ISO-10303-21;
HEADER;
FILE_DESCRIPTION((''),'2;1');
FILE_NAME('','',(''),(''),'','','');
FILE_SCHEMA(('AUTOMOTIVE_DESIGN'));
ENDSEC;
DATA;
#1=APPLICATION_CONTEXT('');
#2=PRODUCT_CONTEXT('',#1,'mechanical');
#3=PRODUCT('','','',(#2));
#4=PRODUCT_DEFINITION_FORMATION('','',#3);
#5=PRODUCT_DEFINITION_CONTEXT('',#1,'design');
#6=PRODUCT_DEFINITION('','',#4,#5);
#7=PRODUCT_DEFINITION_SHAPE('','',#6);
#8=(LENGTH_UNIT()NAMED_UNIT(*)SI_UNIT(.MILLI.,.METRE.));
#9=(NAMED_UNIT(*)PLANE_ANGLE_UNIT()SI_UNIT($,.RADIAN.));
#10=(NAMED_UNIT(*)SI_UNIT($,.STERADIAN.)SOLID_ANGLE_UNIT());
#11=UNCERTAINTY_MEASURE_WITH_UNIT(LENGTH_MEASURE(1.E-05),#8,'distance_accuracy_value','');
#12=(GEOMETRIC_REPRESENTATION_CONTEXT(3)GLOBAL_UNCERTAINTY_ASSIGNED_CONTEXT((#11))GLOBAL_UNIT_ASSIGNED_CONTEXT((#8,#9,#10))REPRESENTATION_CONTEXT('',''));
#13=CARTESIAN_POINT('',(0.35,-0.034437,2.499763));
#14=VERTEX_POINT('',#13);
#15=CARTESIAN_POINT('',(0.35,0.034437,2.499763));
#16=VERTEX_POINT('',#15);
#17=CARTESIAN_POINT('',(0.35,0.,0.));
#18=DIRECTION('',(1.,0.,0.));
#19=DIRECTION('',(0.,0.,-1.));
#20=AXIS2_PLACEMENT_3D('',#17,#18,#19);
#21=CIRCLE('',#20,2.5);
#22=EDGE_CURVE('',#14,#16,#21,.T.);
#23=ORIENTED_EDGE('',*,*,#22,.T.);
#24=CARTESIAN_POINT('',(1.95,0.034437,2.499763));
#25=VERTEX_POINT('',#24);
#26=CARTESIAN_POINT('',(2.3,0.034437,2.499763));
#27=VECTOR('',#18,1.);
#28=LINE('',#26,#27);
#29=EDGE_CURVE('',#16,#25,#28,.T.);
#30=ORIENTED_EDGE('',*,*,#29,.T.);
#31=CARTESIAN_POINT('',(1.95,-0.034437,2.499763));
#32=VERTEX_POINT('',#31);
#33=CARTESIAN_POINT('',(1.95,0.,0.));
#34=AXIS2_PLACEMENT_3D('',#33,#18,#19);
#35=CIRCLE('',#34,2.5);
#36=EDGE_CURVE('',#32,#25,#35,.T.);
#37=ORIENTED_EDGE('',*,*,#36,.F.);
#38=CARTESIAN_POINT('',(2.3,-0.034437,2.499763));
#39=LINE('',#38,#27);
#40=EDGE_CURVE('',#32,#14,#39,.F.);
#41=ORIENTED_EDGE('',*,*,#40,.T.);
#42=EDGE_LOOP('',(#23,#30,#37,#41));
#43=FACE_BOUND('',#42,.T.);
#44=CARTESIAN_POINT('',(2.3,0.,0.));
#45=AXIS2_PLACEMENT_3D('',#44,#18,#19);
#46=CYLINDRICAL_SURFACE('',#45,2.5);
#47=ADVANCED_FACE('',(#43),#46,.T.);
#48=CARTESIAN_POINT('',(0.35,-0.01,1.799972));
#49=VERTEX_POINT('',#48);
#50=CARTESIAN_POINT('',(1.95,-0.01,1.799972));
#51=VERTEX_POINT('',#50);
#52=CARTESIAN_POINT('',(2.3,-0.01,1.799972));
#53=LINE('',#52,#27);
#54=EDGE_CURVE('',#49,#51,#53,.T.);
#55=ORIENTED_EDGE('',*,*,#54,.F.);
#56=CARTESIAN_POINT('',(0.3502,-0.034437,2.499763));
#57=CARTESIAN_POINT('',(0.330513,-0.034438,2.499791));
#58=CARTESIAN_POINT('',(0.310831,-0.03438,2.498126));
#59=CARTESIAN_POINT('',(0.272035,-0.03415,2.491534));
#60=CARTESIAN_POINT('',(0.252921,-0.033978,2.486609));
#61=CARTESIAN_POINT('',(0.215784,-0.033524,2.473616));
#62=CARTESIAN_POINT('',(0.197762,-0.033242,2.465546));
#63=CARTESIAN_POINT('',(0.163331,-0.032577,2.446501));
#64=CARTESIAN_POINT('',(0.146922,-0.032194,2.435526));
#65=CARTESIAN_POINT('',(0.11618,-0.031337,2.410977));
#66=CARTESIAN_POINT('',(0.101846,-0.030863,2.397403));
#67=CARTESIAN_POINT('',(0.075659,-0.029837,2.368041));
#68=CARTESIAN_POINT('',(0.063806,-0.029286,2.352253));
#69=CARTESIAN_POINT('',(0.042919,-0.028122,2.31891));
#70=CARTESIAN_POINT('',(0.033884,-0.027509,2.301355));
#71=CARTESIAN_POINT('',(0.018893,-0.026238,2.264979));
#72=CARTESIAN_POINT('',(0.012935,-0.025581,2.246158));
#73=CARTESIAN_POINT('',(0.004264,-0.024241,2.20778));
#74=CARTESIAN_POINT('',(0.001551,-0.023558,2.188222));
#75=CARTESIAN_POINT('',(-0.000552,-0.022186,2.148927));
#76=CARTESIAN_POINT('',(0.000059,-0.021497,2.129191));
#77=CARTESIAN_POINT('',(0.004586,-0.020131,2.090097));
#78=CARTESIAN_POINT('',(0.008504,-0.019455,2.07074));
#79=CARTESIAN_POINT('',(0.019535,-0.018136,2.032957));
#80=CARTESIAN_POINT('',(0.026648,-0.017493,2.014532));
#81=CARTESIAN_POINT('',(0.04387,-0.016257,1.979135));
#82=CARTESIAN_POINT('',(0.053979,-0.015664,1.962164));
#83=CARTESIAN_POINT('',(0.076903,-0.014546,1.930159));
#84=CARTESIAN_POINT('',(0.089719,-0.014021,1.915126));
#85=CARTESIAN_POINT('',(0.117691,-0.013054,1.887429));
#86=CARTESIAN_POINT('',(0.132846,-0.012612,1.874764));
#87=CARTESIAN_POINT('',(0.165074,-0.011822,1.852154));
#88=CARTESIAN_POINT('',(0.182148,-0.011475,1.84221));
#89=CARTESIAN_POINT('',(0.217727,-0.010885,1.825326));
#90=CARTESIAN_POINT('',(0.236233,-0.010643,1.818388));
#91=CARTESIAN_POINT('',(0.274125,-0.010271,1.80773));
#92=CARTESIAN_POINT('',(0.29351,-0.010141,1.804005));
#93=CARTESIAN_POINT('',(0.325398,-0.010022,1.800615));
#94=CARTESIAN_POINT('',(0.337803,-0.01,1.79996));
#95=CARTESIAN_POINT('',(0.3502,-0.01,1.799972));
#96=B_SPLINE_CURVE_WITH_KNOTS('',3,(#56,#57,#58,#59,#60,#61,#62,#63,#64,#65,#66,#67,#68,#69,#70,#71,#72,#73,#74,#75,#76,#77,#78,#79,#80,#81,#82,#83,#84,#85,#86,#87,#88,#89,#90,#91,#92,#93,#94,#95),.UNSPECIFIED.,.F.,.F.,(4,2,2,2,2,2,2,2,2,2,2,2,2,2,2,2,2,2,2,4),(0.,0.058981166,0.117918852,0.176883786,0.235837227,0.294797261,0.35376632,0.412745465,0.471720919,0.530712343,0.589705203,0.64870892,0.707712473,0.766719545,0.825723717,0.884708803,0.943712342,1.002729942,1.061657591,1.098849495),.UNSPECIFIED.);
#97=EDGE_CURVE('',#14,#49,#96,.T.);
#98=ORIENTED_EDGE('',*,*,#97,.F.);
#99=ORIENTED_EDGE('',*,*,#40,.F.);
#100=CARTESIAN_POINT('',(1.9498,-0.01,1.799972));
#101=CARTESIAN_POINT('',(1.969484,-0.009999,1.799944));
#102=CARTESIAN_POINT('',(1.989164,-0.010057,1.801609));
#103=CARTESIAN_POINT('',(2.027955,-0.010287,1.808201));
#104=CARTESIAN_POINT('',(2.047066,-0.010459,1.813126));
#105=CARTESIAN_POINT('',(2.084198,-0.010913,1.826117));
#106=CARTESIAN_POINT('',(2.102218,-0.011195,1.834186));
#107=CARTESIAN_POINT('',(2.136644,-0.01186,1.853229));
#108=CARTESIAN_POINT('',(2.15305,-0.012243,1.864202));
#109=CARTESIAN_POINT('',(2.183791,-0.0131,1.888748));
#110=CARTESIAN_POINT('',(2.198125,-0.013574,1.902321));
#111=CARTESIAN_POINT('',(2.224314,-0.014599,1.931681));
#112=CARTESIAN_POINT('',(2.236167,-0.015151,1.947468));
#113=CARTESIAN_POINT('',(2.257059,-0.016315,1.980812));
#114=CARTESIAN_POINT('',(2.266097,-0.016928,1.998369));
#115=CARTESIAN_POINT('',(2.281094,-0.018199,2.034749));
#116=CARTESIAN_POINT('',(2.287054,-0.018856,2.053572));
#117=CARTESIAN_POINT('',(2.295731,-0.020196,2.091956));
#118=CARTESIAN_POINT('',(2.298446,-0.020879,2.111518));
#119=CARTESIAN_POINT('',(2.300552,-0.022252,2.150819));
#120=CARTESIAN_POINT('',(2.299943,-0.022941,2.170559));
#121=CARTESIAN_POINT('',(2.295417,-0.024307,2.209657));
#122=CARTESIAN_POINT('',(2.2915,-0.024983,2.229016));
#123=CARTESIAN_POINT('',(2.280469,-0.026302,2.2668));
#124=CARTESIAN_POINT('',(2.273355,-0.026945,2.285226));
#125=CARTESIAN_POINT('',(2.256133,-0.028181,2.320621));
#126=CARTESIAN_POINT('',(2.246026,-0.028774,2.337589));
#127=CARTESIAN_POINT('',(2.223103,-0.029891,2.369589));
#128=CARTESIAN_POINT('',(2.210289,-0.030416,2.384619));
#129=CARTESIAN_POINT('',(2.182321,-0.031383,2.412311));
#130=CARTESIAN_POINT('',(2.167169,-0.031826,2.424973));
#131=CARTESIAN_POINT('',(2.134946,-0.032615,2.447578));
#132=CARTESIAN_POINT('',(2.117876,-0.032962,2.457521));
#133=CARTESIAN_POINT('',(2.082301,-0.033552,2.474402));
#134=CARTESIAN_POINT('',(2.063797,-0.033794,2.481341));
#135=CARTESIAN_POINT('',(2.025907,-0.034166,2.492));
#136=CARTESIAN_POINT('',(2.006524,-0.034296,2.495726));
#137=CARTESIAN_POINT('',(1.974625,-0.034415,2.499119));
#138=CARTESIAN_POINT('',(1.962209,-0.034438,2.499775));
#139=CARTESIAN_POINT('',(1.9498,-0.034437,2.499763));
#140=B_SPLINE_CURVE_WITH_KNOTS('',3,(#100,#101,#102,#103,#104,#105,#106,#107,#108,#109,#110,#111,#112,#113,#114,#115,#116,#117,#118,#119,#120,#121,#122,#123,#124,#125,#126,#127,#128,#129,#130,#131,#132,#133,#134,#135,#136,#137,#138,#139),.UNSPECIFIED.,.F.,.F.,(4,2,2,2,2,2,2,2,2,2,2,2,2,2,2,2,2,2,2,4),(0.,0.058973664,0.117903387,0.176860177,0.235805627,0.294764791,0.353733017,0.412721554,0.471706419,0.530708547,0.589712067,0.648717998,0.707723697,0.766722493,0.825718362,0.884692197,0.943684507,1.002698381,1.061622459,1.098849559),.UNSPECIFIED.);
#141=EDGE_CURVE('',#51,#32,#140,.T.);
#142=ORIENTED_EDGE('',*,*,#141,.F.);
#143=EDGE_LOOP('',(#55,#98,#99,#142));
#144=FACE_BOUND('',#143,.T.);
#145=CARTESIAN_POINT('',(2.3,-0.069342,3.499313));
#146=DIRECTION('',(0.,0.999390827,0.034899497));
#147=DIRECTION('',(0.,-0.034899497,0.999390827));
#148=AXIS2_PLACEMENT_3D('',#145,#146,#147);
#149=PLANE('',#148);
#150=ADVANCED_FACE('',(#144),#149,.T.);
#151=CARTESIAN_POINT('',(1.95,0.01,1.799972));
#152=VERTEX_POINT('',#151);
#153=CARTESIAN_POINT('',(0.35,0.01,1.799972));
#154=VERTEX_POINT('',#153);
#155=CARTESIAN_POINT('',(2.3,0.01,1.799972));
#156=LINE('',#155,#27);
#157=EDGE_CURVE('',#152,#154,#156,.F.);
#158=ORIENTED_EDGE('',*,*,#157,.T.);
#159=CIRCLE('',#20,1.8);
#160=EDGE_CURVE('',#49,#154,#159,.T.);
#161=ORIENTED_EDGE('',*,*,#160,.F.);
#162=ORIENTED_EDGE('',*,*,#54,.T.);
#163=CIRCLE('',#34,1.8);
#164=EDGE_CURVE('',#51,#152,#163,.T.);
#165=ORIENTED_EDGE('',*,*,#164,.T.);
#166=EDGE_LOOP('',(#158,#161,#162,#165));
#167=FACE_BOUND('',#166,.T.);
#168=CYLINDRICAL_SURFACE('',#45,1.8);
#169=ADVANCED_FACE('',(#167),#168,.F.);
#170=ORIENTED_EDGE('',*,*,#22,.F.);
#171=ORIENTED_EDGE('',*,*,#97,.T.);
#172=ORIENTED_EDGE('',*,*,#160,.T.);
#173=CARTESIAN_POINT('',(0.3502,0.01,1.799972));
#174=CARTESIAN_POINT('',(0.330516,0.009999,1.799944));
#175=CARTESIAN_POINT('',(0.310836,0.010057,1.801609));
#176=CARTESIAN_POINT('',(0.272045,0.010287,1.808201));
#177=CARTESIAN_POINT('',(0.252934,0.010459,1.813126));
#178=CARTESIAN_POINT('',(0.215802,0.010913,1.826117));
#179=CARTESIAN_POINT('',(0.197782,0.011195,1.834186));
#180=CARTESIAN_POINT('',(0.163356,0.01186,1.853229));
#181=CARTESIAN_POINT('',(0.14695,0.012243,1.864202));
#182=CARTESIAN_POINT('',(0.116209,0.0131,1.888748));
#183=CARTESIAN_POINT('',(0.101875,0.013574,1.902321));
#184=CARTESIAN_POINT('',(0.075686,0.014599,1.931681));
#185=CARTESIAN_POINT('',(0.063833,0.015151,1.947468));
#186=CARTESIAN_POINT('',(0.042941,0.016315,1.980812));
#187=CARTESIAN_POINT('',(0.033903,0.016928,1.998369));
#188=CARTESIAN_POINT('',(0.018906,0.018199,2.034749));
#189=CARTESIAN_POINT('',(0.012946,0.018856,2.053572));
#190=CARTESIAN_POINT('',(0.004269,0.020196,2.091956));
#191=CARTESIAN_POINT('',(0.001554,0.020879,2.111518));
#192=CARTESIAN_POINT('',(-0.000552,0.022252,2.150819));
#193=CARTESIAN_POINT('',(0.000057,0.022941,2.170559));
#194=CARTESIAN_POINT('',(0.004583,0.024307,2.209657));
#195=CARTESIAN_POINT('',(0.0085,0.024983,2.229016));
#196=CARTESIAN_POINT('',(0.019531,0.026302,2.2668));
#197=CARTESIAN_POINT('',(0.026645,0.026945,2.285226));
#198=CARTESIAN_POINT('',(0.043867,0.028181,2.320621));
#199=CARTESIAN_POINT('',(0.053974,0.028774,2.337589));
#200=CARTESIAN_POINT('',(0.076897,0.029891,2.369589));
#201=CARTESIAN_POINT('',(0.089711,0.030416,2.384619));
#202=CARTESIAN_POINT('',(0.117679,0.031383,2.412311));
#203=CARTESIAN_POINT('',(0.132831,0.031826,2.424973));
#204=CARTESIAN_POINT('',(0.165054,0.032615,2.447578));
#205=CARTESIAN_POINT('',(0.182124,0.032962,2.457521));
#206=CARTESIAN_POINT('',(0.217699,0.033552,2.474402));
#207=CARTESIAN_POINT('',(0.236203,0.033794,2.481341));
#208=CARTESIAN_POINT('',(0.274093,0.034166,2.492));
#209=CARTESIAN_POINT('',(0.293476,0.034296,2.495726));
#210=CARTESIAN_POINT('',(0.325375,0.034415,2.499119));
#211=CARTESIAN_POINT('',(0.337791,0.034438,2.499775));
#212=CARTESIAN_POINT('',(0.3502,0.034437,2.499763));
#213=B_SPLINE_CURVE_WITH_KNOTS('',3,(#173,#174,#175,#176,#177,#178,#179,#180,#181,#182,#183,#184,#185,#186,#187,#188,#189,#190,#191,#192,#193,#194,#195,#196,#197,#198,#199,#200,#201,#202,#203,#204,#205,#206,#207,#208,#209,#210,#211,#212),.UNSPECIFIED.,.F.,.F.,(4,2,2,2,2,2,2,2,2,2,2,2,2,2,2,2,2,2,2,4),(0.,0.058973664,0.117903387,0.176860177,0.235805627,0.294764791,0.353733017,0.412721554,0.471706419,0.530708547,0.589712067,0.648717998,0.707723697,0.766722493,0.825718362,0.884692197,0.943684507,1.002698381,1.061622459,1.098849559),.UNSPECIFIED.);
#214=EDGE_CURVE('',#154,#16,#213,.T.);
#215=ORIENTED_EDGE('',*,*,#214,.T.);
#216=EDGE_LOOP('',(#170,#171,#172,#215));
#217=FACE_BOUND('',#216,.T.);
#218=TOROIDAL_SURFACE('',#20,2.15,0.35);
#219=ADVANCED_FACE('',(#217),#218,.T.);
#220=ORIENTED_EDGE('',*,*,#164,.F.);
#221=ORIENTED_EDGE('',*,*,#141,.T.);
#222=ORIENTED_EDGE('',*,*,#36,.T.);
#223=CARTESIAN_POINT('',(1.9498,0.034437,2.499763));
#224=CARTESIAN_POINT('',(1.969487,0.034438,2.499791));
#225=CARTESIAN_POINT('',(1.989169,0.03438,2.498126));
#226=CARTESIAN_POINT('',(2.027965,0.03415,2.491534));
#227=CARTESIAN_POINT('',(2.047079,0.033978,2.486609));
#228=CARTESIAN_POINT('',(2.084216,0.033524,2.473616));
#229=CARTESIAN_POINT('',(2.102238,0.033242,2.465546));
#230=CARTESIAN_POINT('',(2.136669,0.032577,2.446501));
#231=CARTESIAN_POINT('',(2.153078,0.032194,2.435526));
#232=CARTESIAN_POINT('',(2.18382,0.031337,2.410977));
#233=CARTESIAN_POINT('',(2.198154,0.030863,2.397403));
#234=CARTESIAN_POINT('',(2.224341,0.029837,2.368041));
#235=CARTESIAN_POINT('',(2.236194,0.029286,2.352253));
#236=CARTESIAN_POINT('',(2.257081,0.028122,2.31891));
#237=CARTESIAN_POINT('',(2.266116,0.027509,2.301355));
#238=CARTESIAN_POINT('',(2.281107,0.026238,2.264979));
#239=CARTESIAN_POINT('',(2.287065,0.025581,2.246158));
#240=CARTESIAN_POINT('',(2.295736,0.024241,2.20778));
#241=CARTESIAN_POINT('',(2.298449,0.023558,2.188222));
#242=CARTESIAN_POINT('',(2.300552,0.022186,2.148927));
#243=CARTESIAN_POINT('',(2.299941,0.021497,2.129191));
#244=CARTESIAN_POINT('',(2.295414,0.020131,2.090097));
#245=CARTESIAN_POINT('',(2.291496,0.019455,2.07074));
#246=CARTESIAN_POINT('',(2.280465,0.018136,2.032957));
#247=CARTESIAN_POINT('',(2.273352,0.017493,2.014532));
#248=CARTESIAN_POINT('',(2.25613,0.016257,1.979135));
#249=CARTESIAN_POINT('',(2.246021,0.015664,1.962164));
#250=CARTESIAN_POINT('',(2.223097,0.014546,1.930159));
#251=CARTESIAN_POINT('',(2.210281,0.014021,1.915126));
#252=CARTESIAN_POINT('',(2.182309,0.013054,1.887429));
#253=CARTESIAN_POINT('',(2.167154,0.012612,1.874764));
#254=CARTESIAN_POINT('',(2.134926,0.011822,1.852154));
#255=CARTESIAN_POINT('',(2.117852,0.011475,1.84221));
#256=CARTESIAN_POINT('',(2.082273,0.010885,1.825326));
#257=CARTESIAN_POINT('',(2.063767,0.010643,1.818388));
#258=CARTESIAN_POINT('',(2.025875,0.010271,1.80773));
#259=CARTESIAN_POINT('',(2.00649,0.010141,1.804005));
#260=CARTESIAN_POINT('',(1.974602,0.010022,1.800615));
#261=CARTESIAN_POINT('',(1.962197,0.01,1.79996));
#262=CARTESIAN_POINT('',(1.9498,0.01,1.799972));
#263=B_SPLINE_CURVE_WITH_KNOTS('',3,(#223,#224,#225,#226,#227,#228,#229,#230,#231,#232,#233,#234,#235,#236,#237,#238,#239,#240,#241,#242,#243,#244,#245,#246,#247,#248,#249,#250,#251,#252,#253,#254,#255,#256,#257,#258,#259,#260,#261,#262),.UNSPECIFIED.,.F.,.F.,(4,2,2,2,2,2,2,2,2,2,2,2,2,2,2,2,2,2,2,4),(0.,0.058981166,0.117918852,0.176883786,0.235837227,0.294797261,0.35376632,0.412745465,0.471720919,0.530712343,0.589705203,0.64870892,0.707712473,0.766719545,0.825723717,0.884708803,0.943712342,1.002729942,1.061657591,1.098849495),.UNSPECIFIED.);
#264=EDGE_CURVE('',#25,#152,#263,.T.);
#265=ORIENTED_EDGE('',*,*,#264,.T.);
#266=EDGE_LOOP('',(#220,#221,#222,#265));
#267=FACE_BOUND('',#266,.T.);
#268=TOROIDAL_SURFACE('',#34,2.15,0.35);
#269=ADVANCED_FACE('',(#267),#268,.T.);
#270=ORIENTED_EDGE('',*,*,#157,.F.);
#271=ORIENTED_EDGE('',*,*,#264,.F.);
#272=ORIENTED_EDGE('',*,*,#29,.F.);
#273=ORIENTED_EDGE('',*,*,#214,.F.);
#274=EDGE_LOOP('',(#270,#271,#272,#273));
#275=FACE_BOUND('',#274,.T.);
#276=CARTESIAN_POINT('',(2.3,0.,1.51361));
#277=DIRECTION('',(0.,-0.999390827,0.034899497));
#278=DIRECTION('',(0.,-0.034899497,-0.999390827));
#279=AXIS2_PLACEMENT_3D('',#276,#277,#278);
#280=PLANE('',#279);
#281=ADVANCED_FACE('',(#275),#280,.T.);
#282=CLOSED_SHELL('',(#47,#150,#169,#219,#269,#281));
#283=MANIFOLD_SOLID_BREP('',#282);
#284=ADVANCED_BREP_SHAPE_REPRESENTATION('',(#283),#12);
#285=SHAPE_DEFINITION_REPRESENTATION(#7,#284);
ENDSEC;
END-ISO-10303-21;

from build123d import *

# Parameters (mm, degrees)
CUT_EXTRUDE1_DEPTH = 2.3


with BuildPart() as part:
    # Sketch1 → Revolve1 (revolve)
    with BuildSketch(Plane.XY):
        with BuildLine():
            Line((0.35, 1.8), (1.95, 1.8))
            ThreePointArc((1.95, 1.8), (2.3, 2.15), (1.95, 2.5))
            Line((1.95, 2.5), (0.35, 2.5))
            ThreePointArc((0.35, 2.5), (0, 2.15), (0.35, 1.8))
        make_face()
    revolve(axis=Axis((2.3, 0, 0), (-1, 0, 0)))

    # Sketch2 → Cut-Extrude1 (cut)
    with BuildSketch(Plane(origin=(0, 0, 0), x_dir=(0, 0, -1), z_dir=(1, 0, 0))):
        with BuildLine():
            Line((-3.499313025, -0.069342288), (-1.513609689, 0))
            Line((-1.513609689, 0), (-3.499313025, 0.069342288))
            ThreePointArc((-3.499313025, 0.069342288), (-3.5, 0), (-3.499313025, -0.069342288))
        make_face()
    extrude(amount=CUT_EXTRUDE1_DEPTH, mode=Mode.SUBTRACT)


solid = part.part
